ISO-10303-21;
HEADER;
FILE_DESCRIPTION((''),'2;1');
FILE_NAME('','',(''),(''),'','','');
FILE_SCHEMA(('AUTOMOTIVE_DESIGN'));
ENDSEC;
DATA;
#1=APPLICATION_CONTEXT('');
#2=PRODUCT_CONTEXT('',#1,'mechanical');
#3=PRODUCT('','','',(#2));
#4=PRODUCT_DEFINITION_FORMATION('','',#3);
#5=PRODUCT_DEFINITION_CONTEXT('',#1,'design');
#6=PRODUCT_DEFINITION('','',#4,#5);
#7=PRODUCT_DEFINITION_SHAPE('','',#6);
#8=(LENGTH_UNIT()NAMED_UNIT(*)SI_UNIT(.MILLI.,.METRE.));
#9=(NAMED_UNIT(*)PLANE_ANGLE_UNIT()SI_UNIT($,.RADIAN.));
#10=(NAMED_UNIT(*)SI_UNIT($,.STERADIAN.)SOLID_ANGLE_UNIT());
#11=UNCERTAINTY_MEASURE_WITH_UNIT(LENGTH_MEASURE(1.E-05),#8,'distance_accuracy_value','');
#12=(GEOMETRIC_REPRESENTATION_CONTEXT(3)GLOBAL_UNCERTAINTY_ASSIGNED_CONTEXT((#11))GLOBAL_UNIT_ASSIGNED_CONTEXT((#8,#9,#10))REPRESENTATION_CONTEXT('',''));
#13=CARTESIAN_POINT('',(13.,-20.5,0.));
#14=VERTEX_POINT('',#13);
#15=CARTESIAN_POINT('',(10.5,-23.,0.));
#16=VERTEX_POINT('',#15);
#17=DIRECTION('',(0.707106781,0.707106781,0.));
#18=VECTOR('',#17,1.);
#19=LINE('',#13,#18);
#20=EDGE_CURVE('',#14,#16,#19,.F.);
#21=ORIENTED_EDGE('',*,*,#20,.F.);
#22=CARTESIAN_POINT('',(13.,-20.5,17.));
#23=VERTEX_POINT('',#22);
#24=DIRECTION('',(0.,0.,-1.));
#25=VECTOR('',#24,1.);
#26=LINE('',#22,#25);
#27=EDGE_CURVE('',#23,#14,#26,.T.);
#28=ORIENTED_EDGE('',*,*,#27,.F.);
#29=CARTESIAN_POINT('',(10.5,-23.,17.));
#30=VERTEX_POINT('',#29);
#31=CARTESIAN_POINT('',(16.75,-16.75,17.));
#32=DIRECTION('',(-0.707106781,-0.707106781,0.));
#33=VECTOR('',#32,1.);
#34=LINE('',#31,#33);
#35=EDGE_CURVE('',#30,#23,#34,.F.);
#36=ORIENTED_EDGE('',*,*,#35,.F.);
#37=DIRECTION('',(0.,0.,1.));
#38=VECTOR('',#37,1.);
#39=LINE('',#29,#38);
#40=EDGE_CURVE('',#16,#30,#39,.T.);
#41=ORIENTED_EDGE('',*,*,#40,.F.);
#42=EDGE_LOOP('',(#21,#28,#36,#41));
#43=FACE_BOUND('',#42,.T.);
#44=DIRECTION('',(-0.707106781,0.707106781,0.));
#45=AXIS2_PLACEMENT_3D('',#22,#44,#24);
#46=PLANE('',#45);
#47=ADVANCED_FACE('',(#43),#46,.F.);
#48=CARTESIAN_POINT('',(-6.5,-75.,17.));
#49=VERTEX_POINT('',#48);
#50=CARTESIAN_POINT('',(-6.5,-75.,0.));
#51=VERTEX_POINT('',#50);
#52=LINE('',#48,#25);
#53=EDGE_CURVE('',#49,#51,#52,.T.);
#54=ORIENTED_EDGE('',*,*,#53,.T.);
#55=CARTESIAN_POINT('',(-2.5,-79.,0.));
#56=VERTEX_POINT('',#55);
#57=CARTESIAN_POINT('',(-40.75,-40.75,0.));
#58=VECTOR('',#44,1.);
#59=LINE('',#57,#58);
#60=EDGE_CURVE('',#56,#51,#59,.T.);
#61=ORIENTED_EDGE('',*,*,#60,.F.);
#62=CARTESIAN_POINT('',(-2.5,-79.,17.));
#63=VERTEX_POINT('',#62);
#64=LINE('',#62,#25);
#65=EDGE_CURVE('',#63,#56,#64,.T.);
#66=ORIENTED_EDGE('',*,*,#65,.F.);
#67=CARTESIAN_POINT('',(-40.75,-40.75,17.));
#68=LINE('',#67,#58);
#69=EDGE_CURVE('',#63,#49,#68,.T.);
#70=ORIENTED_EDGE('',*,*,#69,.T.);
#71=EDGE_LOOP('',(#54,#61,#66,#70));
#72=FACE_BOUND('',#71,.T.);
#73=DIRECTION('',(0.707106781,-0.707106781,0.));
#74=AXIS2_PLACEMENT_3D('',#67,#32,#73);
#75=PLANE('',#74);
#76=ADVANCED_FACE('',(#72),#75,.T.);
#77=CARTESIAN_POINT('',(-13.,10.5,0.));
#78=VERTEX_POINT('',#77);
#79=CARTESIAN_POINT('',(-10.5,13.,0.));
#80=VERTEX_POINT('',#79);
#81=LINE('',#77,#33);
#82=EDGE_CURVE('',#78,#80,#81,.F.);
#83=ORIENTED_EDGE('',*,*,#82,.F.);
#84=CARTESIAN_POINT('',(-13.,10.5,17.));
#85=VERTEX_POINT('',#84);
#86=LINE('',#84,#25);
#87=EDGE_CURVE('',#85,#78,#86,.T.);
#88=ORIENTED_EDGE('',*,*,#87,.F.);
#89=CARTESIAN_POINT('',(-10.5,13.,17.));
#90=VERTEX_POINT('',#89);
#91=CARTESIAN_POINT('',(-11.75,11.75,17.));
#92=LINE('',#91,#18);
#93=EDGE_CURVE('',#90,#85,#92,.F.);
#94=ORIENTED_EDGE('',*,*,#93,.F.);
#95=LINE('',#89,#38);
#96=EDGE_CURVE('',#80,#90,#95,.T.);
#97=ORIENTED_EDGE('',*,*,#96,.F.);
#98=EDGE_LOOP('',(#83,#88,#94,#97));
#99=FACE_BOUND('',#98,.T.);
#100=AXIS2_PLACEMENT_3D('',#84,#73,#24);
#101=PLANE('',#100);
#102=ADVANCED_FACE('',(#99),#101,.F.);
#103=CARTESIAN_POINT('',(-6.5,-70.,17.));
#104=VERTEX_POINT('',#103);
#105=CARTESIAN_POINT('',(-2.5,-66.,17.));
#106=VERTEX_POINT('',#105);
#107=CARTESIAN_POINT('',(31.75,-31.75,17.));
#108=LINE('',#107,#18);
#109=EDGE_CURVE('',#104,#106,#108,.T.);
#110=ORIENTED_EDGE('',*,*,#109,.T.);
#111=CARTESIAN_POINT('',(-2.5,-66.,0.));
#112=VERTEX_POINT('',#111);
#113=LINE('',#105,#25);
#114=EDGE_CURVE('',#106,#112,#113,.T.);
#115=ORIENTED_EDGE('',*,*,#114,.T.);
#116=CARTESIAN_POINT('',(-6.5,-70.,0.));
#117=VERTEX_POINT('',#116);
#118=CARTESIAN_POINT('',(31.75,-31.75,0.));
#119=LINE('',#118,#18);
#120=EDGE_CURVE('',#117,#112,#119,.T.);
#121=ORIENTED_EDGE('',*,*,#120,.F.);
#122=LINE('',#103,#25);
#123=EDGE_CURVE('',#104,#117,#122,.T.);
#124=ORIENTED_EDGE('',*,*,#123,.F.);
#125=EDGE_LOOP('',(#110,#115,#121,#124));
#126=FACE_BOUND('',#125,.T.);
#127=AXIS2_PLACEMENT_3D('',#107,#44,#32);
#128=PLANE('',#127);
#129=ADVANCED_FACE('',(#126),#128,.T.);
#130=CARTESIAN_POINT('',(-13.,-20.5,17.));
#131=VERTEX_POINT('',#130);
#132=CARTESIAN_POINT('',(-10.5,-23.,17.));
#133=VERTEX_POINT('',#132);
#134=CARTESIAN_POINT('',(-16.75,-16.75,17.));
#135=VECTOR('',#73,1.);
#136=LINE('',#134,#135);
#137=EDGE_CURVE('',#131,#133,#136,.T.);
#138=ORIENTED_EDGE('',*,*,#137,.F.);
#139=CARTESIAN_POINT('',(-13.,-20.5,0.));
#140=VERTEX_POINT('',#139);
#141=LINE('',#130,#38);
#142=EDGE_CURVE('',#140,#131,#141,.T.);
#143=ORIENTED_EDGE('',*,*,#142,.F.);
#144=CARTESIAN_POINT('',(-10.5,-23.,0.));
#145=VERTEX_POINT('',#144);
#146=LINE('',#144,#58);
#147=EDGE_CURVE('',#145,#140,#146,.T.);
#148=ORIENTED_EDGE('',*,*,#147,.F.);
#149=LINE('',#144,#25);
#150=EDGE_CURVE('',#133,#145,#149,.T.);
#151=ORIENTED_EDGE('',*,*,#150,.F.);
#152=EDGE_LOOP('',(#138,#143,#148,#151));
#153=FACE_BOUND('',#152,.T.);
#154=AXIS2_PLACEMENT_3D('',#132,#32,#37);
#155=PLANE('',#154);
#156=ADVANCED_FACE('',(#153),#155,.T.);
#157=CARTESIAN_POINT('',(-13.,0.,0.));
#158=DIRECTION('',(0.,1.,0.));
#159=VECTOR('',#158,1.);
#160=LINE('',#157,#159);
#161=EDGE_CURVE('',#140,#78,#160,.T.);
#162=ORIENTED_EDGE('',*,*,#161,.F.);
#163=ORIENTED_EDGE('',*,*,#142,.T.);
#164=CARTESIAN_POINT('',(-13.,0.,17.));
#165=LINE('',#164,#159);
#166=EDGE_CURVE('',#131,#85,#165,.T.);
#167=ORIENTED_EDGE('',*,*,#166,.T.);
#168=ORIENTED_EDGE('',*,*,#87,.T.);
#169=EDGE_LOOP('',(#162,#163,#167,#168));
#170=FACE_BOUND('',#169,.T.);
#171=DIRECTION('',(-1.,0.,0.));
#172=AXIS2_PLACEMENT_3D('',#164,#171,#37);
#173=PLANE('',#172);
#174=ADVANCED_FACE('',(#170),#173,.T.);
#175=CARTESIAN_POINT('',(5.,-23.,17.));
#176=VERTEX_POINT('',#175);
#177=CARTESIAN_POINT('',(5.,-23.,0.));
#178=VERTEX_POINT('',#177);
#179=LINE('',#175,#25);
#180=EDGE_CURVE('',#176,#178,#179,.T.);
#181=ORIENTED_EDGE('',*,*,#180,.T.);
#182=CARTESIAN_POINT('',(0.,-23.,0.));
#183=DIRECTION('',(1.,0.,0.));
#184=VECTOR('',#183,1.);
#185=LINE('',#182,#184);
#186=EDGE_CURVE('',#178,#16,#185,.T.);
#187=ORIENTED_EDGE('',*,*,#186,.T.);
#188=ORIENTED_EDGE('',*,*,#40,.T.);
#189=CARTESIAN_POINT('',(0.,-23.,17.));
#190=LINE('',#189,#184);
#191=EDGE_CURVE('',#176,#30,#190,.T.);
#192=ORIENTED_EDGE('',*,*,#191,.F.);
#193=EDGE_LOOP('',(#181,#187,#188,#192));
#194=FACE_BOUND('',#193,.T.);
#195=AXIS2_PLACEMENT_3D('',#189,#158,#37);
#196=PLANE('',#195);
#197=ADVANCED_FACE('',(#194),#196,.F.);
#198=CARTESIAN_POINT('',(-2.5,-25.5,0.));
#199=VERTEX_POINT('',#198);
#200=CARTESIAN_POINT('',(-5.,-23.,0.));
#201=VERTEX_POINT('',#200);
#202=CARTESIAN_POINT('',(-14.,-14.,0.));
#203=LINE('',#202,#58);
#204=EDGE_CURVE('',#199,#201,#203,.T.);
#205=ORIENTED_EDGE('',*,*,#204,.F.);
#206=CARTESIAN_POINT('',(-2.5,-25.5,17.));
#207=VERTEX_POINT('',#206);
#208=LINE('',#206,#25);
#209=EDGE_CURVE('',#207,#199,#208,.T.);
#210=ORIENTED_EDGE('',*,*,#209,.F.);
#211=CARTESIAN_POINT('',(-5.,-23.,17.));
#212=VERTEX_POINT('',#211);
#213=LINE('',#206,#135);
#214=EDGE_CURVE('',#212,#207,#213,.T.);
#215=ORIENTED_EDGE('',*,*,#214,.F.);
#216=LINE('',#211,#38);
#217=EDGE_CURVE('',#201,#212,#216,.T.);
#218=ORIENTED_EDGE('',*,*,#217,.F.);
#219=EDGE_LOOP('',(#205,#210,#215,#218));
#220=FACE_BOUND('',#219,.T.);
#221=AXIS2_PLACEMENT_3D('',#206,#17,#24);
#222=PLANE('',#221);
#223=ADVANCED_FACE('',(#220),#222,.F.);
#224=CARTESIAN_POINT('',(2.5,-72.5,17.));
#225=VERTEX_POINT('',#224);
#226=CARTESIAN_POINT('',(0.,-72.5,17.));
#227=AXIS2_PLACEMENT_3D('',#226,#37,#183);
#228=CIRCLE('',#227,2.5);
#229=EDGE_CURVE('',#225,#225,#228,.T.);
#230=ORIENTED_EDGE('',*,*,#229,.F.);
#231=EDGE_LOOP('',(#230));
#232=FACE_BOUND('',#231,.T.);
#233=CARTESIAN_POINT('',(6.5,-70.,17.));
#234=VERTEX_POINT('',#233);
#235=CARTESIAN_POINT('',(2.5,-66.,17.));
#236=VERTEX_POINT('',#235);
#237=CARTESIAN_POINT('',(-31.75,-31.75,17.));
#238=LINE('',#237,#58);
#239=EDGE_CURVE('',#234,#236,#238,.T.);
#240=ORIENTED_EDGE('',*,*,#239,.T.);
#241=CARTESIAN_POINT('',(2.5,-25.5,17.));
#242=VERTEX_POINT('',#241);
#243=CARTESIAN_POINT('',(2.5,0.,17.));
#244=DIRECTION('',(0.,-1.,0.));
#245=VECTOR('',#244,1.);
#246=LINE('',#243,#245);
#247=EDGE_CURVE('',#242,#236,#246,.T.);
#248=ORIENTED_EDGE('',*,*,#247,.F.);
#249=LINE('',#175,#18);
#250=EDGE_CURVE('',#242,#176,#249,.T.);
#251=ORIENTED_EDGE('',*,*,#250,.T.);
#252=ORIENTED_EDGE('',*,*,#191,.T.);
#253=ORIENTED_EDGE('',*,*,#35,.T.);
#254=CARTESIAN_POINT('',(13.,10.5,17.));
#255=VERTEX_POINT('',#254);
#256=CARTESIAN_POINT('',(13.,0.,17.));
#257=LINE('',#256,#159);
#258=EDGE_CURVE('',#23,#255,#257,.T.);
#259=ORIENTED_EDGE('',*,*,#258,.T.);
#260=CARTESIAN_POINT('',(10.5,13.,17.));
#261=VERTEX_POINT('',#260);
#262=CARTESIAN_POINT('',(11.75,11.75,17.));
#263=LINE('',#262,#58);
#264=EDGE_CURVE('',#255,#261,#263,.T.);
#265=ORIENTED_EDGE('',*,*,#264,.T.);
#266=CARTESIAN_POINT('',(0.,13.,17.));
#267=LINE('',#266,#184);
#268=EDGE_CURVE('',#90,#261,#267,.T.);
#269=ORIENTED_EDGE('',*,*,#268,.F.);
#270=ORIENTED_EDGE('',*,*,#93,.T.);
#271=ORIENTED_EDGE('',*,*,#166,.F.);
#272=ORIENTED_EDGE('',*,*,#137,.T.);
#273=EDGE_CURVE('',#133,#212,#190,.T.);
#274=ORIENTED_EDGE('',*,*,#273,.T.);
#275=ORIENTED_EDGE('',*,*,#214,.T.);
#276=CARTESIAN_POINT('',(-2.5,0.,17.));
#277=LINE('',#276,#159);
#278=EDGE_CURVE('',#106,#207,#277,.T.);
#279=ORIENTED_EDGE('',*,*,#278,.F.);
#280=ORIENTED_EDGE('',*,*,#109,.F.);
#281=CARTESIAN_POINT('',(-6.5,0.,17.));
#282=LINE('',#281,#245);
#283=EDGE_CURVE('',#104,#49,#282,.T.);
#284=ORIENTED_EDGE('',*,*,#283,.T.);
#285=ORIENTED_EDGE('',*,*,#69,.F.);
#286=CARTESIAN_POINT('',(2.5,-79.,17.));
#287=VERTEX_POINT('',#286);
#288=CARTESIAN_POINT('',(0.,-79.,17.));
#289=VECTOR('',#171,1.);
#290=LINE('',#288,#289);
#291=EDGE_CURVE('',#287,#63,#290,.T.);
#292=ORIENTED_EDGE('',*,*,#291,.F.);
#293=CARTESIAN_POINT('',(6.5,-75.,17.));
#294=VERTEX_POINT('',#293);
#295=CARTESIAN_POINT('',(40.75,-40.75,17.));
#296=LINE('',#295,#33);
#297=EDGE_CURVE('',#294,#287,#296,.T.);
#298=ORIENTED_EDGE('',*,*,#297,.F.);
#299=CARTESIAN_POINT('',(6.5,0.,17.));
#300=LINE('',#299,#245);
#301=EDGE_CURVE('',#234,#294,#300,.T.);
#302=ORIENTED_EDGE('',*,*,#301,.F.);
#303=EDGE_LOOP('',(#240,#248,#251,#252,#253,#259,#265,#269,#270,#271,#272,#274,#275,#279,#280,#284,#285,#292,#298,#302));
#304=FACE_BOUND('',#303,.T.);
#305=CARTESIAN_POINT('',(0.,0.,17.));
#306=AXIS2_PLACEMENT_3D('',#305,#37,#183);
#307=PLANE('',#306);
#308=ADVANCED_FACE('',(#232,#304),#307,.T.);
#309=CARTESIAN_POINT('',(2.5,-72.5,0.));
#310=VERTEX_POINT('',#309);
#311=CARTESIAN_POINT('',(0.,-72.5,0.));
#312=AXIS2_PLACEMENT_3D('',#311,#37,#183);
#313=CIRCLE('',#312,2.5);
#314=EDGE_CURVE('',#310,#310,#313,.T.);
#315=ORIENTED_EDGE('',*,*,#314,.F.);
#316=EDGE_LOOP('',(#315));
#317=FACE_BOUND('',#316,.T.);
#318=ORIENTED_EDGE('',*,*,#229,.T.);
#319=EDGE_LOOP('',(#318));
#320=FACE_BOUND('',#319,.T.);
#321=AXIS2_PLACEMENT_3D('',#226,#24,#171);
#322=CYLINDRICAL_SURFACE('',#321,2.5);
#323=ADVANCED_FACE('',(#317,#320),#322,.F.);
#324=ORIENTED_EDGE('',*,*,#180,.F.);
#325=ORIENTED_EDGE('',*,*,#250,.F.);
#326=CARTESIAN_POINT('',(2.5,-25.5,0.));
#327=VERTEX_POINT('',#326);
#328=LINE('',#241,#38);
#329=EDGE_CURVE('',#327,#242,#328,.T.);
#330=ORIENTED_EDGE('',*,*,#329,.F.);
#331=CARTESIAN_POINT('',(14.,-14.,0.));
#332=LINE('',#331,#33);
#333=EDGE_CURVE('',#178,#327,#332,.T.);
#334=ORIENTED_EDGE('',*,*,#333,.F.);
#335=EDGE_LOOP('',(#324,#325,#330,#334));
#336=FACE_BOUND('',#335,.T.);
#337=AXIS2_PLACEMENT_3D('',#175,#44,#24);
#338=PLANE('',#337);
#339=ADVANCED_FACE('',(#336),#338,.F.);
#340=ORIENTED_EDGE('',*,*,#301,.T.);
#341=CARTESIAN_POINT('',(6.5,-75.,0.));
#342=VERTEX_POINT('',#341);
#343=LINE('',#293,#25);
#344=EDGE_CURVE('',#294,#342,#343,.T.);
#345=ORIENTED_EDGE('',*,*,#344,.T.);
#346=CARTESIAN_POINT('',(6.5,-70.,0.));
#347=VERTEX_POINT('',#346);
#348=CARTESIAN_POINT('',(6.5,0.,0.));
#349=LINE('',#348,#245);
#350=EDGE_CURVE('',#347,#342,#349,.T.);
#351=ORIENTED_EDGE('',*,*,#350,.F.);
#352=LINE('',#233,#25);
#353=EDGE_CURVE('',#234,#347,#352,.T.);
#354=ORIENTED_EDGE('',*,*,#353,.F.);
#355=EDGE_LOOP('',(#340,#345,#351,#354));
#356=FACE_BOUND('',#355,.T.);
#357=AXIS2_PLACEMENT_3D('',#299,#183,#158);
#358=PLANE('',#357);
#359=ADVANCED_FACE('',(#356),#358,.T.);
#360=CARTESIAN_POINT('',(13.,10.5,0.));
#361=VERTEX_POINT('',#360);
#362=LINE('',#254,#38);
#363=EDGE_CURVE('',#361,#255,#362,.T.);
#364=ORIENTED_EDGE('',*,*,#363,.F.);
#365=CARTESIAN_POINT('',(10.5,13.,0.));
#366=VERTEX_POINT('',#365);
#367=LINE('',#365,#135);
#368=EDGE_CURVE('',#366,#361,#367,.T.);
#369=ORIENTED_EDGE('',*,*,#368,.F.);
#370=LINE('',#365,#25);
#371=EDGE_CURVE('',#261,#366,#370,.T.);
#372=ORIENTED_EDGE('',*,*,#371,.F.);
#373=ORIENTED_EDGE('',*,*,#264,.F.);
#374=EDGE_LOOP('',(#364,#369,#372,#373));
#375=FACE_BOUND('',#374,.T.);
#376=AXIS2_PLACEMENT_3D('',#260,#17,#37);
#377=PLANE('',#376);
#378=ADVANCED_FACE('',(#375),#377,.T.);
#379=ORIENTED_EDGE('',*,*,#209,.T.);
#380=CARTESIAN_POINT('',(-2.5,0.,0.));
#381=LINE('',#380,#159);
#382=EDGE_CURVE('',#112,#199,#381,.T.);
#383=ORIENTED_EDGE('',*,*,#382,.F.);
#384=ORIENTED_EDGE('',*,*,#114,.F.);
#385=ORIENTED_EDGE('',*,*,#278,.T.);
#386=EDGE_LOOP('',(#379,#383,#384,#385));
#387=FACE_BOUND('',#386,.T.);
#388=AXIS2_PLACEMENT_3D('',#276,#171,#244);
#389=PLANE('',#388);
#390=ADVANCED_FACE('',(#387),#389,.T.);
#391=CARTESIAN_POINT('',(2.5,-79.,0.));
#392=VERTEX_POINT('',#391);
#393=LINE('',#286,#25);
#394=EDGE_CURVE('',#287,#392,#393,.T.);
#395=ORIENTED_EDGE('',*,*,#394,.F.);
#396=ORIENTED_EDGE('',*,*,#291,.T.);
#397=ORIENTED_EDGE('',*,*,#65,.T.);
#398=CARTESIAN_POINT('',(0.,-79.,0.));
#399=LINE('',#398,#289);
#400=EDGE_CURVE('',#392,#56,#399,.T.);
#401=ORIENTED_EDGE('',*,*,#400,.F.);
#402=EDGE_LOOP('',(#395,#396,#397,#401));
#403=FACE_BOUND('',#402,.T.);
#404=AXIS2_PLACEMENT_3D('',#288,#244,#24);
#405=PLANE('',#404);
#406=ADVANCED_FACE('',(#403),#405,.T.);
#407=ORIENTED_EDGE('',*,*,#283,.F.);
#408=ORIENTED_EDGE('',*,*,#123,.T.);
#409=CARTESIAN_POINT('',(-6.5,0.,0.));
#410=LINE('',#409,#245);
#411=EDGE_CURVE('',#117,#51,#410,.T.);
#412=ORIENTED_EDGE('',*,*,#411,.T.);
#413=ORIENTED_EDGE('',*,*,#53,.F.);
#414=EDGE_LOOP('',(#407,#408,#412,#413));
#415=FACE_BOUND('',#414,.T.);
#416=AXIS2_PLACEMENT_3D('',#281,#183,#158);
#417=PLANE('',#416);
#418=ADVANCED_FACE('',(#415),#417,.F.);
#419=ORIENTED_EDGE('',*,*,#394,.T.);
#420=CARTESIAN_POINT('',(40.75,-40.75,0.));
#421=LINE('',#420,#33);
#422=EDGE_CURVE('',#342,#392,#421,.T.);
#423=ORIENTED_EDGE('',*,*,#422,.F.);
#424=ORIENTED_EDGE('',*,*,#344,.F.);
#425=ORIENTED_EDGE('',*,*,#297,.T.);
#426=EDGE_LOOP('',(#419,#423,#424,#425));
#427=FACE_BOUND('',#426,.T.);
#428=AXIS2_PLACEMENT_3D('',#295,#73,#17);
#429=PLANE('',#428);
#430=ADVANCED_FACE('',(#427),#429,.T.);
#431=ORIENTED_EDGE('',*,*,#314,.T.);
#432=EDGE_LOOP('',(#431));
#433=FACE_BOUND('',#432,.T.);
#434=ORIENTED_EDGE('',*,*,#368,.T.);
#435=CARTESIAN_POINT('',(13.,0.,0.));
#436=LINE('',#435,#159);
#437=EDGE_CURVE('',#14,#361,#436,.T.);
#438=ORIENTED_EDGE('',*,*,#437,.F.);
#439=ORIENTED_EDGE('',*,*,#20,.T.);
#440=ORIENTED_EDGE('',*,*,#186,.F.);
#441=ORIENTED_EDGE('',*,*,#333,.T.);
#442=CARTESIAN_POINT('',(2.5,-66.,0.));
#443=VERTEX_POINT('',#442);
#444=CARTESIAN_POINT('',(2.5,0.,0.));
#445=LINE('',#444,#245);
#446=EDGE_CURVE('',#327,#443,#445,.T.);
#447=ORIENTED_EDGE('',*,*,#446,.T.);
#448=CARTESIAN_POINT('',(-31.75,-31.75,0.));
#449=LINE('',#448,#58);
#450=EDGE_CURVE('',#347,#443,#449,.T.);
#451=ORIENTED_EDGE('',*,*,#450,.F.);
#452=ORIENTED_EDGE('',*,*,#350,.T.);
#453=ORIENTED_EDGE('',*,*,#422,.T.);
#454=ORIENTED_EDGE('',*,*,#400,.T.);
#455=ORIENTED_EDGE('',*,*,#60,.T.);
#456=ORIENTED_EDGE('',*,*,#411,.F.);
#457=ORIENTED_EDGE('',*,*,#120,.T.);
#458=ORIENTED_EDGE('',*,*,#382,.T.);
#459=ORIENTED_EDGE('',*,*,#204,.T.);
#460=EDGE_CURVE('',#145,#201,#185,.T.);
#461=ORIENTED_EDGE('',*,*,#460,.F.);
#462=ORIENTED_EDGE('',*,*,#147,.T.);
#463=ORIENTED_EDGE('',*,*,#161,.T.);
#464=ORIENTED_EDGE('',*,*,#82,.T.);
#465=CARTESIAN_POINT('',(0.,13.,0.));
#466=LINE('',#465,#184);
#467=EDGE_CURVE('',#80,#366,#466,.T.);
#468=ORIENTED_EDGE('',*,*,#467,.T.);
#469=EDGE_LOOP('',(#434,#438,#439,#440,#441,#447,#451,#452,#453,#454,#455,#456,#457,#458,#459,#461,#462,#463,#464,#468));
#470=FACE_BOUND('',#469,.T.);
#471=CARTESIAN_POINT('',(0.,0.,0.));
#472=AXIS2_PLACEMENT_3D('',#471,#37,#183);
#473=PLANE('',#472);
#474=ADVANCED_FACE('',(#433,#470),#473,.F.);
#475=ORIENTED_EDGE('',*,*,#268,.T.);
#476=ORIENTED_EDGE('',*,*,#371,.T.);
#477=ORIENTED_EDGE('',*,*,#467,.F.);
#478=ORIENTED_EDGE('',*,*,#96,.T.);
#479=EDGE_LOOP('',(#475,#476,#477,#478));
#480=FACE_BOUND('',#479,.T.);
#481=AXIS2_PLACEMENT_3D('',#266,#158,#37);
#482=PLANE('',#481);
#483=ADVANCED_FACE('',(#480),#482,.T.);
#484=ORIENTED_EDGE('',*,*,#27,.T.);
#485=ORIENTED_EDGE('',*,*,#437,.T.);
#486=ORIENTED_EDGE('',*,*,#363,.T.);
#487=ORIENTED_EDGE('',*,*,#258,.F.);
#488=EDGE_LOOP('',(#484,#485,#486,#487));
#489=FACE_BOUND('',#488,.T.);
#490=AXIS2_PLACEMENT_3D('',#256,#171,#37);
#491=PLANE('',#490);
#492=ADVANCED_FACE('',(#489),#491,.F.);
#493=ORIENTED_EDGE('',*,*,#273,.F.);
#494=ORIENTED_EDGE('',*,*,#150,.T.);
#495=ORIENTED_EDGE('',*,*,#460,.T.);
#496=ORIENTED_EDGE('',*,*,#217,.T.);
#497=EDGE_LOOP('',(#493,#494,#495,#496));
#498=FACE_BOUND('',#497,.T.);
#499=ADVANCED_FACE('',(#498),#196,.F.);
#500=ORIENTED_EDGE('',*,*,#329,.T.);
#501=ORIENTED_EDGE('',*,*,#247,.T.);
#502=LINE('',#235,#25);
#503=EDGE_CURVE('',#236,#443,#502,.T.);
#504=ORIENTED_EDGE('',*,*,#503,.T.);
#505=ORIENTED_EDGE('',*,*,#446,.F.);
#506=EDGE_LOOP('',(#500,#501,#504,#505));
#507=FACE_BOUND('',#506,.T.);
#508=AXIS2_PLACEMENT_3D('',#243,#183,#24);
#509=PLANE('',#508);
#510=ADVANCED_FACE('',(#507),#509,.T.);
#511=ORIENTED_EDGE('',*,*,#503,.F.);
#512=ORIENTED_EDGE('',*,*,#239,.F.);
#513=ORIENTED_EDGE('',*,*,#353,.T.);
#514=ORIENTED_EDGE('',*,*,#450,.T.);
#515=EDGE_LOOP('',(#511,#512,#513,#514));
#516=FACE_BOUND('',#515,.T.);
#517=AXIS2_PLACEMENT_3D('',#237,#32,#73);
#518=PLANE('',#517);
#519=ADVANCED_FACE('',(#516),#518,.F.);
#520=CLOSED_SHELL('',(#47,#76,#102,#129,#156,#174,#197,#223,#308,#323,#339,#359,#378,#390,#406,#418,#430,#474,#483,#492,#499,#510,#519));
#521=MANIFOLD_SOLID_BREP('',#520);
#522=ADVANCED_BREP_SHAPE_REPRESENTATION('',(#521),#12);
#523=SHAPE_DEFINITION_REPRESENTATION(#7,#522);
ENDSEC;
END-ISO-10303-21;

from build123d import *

# Parameters (mm, degrees)
SKETCH1_W           = 26
SKETCH1_H           = 26
SKETCH1_W_2         = 5
SKETCH1_H_2         = 43
SKETCH1_R           = 2.5
BOSS_EXTRUDE1_DEPTH = 17
CHAMFER1_SIZE       = 2.5


with BuildPart() as part:
    # Sketch1 → Boss-Extrude1 (new body)
    # profile 1 of 4: a face of its own
    with BuildSketch(Plane.XY):
        Rectangle(SKETCH1_W, SKETCH1_H)
    # profile 2 of 4: a face of its own
    with BuildSketch(Plane.XY):
        Polygon((-2.5, -23), (2.5, -23), (13, -23), (13, -13), (-13, -13), (-13, -23), align=None)
    # profile 3 of 4: a face of its own
    with BuildSketch(Plane.XY):
        with Locations((0, -44.5)):
            Rectangle(SKETCH1_W_2, SKETCH1_H_2)
    # profile 4 of 4: a face of its own
    with BuildSketch(Plane.XY):
        Polygon((6.5, -70), (6.5, -75), (2.5, -79), (-2.5, -79), (-6.5, -75), (-6.5, -70), (-2.5, -66), (2.5, -66), align=None)
        with Locations((0, -72.5)):
            Circle(SKETCH1_R, mode=Mode.SUBTRACT)
    extrude(amount=BOSS_EXTRUDE1_DEPTH)

    # Chamfer1
    chamfer1_edges = [part.edges().sort_by_distance(p)[0] for p in [
        (-13, 13, 8.5),
        (13, 13, 8.5),
        (13, -23, 8.5),
        (2.5, -23, 8.5),
        (-2.5, -23, 8.5),
        (-13, -23, 8.5),
    ]]
    chamfer(chamfer1_edges, length=CHAMFER1_SIZE)


solid = part.part
